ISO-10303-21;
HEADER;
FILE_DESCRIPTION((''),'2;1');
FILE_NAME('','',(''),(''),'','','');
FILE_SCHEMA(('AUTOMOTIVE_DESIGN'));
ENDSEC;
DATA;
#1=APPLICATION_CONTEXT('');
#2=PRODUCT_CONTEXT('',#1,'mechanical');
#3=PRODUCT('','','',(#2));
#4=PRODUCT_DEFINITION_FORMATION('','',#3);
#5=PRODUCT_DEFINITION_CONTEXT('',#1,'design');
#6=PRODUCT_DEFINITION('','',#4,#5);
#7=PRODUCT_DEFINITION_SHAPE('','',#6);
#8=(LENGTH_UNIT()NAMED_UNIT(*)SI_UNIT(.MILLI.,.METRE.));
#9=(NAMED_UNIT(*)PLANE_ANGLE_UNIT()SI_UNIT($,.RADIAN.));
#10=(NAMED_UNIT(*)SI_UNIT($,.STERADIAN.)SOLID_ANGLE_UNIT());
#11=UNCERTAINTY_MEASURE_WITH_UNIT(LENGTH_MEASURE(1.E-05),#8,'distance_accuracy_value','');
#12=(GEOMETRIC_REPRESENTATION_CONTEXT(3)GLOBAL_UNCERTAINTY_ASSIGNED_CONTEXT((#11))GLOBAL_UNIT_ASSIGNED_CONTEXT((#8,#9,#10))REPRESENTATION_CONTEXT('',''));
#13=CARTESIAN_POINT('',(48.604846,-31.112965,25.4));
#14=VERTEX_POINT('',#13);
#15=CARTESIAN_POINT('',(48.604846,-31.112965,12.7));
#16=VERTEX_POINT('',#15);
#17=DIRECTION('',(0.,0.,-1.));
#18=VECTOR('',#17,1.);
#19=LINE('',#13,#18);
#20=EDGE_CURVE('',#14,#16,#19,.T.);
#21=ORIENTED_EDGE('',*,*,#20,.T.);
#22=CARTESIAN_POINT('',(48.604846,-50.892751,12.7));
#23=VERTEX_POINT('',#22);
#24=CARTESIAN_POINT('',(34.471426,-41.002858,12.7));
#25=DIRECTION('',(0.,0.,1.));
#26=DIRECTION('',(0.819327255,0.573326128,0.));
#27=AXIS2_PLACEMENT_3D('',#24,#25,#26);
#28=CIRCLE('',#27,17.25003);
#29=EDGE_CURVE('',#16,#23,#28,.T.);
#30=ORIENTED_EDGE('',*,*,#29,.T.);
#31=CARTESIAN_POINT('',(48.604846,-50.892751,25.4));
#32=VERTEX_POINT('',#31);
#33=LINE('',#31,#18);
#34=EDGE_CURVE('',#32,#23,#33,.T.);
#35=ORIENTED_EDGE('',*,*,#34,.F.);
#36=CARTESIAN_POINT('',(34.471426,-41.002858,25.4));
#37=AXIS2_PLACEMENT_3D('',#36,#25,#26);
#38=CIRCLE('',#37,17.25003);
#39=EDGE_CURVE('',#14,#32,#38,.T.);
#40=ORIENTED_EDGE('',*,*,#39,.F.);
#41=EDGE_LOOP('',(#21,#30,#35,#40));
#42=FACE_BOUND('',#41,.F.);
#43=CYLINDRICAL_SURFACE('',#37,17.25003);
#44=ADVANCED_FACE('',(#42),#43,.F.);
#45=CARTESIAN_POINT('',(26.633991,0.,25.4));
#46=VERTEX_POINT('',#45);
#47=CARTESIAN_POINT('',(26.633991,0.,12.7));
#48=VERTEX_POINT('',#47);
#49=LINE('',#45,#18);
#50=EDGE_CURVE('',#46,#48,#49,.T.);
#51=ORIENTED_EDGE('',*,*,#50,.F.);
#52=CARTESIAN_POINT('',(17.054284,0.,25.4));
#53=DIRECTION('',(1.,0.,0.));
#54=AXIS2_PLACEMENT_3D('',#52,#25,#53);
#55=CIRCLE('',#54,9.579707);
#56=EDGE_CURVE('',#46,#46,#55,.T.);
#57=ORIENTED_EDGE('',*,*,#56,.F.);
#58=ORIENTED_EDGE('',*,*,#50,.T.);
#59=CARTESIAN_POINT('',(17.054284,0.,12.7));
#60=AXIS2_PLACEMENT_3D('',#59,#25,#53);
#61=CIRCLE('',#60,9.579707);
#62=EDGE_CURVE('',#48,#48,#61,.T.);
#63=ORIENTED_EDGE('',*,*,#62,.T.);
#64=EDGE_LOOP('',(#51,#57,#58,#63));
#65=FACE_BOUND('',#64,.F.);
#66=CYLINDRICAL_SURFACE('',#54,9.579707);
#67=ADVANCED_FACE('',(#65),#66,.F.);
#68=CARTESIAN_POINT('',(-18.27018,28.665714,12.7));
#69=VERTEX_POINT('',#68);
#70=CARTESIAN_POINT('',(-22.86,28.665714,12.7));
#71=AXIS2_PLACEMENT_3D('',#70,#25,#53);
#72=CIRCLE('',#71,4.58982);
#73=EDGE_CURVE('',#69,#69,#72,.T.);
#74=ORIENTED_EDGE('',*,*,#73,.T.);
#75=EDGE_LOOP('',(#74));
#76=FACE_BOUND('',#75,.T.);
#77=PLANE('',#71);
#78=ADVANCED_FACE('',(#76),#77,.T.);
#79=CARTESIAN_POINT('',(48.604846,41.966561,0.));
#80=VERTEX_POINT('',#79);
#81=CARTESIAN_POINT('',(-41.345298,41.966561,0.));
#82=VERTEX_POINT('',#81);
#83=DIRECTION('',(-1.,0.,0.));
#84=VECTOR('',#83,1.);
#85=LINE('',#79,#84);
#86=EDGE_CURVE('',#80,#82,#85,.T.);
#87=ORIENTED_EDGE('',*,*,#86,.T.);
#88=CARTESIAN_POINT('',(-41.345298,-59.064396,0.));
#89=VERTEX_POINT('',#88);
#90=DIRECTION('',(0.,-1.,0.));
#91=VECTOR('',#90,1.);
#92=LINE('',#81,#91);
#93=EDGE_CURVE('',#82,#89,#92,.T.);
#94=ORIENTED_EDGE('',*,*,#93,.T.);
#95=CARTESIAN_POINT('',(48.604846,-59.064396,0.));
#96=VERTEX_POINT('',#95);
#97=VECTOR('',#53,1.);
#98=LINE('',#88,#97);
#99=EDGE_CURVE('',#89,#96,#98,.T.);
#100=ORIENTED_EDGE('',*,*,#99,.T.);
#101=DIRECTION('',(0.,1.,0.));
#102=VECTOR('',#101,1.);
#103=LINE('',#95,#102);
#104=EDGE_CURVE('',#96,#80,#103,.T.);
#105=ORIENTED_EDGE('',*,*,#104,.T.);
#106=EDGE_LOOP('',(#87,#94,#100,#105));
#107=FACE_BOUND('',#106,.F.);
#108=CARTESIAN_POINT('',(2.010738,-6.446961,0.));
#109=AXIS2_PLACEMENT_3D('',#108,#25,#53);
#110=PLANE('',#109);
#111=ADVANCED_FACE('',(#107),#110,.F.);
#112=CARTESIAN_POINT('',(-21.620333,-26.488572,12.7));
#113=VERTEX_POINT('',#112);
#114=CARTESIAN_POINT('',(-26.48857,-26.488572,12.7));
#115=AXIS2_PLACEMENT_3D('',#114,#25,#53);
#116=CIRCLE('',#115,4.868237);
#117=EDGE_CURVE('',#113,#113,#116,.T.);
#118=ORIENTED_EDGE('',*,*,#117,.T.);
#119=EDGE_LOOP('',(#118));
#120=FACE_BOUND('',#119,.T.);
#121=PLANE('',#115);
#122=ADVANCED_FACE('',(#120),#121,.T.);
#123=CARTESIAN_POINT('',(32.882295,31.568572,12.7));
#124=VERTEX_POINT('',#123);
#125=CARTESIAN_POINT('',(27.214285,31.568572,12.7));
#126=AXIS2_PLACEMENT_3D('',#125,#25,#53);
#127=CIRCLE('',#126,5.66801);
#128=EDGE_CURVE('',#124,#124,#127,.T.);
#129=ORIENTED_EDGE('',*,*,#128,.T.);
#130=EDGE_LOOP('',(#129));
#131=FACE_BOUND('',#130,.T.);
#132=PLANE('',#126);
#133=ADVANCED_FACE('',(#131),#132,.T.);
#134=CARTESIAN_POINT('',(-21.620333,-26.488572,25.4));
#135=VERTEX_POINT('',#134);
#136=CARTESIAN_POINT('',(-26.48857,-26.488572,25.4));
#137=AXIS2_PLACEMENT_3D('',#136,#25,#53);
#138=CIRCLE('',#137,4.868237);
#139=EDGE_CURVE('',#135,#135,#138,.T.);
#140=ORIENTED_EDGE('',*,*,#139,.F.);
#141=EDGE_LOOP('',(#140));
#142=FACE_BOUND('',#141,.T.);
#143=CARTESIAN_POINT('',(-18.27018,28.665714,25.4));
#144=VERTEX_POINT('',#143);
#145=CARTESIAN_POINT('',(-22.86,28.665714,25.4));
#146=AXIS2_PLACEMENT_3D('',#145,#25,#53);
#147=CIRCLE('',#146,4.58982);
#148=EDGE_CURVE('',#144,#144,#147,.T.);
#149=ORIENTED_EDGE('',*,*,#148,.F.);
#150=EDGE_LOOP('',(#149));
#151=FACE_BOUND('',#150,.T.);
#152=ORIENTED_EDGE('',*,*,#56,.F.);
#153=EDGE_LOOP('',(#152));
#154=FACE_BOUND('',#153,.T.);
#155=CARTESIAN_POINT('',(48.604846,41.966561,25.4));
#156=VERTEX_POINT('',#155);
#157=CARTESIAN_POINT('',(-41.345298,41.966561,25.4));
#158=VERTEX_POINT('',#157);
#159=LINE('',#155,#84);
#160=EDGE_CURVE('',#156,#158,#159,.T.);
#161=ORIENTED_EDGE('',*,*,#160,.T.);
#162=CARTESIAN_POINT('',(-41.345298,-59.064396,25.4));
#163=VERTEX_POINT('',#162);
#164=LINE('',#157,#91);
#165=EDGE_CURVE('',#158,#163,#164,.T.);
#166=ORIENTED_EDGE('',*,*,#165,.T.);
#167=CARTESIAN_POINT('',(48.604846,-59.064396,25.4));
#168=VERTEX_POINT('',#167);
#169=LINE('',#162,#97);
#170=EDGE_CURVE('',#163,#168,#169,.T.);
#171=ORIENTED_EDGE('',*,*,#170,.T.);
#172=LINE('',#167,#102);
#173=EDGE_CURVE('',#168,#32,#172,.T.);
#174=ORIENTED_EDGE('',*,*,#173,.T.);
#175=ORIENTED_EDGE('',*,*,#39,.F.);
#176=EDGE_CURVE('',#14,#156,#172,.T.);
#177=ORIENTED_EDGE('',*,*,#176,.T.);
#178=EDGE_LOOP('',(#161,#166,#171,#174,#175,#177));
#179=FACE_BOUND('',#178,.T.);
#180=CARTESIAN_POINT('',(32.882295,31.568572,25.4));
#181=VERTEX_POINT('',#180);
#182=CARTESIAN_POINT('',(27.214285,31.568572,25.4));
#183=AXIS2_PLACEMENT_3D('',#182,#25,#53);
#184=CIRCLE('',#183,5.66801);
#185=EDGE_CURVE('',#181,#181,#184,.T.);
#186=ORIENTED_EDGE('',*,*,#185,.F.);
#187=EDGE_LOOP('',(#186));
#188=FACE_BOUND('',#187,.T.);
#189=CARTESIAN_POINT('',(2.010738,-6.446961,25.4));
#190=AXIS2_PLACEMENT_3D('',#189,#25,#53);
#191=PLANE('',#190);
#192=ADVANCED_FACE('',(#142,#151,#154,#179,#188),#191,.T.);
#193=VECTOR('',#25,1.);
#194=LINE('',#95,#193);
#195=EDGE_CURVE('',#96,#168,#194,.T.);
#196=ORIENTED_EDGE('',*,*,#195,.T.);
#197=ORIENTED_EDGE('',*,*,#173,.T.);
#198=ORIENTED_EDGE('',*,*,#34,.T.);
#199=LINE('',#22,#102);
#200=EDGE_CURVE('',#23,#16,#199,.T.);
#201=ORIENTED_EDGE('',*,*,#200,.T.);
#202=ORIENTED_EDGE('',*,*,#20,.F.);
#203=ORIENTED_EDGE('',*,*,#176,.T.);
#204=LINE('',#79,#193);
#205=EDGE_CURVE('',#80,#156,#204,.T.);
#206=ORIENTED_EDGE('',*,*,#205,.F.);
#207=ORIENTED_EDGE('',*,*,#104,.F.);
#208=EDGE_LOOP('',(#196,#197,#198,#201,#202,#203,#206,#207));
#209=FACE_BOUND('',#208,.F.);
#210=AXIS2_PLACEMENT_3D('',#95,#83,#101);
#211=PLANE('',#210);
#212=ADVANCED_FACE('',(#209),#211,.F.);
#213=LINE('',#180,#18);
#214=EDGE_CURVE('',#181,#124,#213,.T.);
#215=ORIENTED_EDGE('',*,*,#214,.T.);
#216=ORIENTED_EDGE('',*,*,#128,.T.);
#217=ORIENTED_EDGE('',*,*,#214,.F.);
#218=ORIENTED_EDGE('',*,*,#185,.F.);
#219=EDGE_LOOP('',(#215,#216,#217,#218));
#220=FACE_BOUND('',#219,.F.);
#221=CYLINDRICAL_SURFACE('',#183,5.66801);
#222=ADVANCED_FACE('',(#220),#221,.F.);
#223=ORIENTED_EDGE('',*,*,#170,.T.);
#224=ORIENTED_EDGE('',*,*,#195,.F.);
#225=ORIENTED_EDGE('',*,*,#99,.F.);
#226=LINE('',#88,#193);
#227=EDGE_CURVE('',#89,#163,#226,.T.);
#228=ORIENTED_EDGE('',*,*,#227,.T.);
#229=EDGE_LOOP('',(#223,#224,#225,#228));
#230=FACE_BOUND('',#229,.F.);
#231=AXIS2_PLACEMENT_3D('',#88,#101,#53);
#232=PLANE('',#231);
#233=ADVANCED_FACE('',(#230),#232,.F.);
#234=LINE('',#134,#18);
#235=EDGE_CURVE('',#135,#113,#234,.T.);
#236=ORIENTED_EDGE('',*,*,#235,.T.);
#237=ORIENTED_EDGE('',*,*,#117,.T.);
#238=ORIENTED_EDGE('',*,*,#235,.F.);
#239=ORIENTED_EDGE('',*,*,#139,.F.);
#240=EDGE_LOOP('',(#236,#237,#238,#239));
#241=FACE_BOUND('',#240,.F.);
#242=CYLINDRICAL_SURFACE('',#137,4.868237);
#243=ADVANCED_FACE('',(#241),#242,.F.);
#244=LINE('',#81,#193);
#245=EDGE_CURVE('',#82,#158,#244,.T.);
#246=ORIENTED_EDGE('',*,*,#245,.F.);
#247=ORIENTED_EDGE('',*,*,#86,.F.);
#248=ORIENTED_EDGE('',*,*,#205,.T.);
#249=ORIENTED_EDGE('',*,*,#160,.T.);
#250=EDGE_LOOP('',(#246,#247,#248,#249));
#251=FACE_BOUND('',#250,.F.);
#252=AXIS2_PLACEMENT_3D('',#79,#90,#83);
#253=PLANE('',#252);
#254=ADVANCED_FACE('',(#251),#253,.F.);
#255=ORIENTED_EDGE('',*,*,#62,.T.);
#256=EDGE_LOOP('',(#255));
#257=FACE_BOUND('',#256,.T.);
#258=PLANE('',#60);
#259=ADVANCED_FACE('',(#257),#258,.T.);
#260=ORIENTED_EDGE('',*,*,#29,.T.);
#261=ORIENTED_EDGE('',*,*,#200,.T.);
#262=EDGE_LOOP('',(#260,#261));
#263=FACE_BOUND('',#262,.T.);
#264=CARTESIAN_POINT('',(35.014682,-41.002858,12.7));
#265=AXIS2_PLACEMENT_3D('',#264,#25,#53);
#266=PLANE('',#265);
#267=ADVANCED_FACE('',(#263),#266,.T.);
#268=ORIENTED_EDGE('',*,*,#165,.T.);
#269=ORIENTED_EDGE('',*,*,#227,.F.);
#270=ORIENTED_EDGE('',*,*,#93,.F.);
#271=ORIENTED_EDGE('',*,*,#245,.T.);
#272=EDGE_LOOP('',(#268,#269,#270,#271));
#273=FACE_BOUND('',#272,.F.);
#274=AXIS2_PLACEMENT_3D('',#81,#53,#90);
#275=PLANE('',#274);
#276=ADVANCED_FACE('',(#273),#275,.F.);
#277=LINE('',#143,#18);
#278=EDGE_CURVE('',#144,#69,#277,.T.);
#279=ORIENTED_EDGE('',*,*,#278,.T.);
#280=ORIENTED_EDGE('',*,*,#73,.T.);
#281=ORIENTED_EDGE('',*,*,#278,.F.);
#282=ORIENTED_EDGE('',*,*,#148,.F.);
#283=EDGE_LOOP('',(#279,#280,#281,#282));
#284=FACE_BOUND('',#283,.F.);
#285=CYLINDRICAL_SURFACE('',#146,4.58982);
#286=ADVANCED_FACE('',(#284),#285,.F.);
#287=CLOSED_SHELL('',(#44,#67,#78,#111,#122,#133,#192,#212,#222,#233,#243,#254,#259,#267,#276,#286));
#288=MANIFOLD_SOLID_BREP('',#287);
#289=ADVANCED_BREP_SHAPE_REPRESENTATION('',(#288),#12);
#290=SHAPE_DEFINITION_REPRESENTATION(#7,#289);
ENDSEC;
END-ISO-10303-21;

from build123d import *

# Parameters (mm, degrees)
F0_R     = 5.255079
F0_R_2   = 5.866313
F0_R_3   = 5.530812
F0_R_4   = 4.745267
F0_R_5   = 11.402065
F0_R_6   = 4.963947
F1_DEPTH = 25.4
F2_R     = 4.58982
F2_R_2   = 5.66801
F2_R_3   = 4.868237
F2_R_4   = 9.579707
F3_DEPTH = 12.7


with BuildPart() as f1:
    # F0 (on Top) → F1 (new body)
    with BuildSketch(Plane.XY):
        with BuildLine():
            ThreePointArc((-14.620975, 41.966561), (-18.531855, 25.399827), (-22.442736, 41.966561))
            Line((-22.442736, 41.966561), (-41.345298, 41.966561))
            Line((-41.345298, 41.966561), (-41.345298, 27.419109))
            ThreePointArc((-41.345298, 27.419109), (-21.015512, 15.242245), (-41.345298, 3.065382))
            Line((-41.345298, 3.065382), (-41.345298, -59.064396))
            Line((-41.345298, -59.064396), (-23.626849, -59.064396))
            ThreePointArc((-23.626849, -59.064396), (-16.576417, -52.013963), (-9.525984, -59.064396))
            Line((-9.525984, -59.064396), (5.777693, -59.064396))
            ThreePointArc((5.777693, -59.064396), (13.406963, -51.435125), (21.036233, -59.064396))
            Line((21.036233, -59.064396), (48.604846, -59.064396))
            Line((48.604846, -59.064396), (48.604846, -34.771941))
            ThreePointArc((48.604846, -34.771941), (31.486498, -25.17014), (48.604846, -15.568339))
            Line((48.604846, -15.568339), (48.604846, 41.966561))
            Line((48.604846, 41.966561), (-14.620975, 41.966561))
        make_face()
        with Locations((-29.61267, -41.465458)):
            Circle(F0_R, mode=Mode.SUBTRACT)
        with Locations((-21.139106, -21.259261)):
            Circle(F0_R_2, mode=Mode.SUBTRACT)
        with Locations((26.443215, -45.376331)):
            Circle(F0_R_3, mode=Mode.SUBTRACT)
        with Locations((26.443215, -15.39295)):
            Circle(F0_R_4, mode=Mode.SUBTRACT)
        with Locations((23.835966, 15.894057)):
            Circle(F0_R_5, mode=Mode.SUBTRACT)
        with Locations((38.175844, 0)):
            Circle(F0_R_6, mode=Mode.SUBTRACT)
        with BuildLine():
            ThreePointArc((-41.345298, 3.065382), (-21.015512, 15.242245), (-41.345298, 27.419109))
            Line((-41.345298, 27.419109), (-41.345298, 3.065382))
        make_face()
        with BuildLine():
            Line((-14.620975, 41.966561), (-22.442736, 41.966561))
            ThreePointArc((-22.442736, 41.966561), (-18.531855, 25.399827), (-14.620975, 41.966561))
        make_face()
        with Locations((23.835966, 15.894057)):
            Circle(F0_R_5)
        with Locations((38.175844, 0)):
            Circle(F0_R_6)
        with Locations((26.443215, -15.39295)):
            Circle(F0_R_4)
        with Locations((-21.139106, -21.259261)):
            Circle(F0_R_2)
        with BuildLine():
            Line((48.604846, -34.771941), (48.604846, -15.568339))
            ThreePointArc((48.604846, -15.568339), (31.486498, -25.17014), (48.604846, -34.771941))
        make_face()
        with Locations((26.443215, -45.376331)):
            Circle(F0_R_3)
        with BuildLine():
            Line((5.777693, -59.064396), (21.036233, -59.064396))
            ThreePointArc((21.036233, -59.064396), (13.406963, -51.435125), (5.777693, -59.064396))
        make_face()
        with BuildLine():
            ThreePointArc((-9.525984, -59.064396), (-16.576417, -52.013963), (-23.626849, -59.064396))
            Line((-23.626849, -59.064396), (-9.525984, -59.064396))
        make_face()
        with Locations((-29.61267, -41.465458)):
            Circle(F0_R)
    extrude(amount=F1_DEPTH)

    # F2 (on face) → F3 (cut)
    with BuildSketch(Plane.XY.offset(25.4)):
        with Locations((-22.86, 28.665714)):
            Circle(F2_R)
        with Locations((27.214285, 31.568572)):
            Circle(F2_R_2)
        with Locations((-26.48857, -26.488572)):
            Circle(F2_R_3)
        with Locations((17.054284, 0)):
            Circle(F2_R_4)
        with BuildLine():
            Line((48.604846, -50.892751), (48.604846, -31.112965))
            ThreePointArc((48.604846, -31.112965), (17.221396, -41.002858), (48.604846, -50.892751))
        make_face()
    extrude(amount=-F3_DEPTH, mode=Mode.SUBTRACT)


solid = f1.part
